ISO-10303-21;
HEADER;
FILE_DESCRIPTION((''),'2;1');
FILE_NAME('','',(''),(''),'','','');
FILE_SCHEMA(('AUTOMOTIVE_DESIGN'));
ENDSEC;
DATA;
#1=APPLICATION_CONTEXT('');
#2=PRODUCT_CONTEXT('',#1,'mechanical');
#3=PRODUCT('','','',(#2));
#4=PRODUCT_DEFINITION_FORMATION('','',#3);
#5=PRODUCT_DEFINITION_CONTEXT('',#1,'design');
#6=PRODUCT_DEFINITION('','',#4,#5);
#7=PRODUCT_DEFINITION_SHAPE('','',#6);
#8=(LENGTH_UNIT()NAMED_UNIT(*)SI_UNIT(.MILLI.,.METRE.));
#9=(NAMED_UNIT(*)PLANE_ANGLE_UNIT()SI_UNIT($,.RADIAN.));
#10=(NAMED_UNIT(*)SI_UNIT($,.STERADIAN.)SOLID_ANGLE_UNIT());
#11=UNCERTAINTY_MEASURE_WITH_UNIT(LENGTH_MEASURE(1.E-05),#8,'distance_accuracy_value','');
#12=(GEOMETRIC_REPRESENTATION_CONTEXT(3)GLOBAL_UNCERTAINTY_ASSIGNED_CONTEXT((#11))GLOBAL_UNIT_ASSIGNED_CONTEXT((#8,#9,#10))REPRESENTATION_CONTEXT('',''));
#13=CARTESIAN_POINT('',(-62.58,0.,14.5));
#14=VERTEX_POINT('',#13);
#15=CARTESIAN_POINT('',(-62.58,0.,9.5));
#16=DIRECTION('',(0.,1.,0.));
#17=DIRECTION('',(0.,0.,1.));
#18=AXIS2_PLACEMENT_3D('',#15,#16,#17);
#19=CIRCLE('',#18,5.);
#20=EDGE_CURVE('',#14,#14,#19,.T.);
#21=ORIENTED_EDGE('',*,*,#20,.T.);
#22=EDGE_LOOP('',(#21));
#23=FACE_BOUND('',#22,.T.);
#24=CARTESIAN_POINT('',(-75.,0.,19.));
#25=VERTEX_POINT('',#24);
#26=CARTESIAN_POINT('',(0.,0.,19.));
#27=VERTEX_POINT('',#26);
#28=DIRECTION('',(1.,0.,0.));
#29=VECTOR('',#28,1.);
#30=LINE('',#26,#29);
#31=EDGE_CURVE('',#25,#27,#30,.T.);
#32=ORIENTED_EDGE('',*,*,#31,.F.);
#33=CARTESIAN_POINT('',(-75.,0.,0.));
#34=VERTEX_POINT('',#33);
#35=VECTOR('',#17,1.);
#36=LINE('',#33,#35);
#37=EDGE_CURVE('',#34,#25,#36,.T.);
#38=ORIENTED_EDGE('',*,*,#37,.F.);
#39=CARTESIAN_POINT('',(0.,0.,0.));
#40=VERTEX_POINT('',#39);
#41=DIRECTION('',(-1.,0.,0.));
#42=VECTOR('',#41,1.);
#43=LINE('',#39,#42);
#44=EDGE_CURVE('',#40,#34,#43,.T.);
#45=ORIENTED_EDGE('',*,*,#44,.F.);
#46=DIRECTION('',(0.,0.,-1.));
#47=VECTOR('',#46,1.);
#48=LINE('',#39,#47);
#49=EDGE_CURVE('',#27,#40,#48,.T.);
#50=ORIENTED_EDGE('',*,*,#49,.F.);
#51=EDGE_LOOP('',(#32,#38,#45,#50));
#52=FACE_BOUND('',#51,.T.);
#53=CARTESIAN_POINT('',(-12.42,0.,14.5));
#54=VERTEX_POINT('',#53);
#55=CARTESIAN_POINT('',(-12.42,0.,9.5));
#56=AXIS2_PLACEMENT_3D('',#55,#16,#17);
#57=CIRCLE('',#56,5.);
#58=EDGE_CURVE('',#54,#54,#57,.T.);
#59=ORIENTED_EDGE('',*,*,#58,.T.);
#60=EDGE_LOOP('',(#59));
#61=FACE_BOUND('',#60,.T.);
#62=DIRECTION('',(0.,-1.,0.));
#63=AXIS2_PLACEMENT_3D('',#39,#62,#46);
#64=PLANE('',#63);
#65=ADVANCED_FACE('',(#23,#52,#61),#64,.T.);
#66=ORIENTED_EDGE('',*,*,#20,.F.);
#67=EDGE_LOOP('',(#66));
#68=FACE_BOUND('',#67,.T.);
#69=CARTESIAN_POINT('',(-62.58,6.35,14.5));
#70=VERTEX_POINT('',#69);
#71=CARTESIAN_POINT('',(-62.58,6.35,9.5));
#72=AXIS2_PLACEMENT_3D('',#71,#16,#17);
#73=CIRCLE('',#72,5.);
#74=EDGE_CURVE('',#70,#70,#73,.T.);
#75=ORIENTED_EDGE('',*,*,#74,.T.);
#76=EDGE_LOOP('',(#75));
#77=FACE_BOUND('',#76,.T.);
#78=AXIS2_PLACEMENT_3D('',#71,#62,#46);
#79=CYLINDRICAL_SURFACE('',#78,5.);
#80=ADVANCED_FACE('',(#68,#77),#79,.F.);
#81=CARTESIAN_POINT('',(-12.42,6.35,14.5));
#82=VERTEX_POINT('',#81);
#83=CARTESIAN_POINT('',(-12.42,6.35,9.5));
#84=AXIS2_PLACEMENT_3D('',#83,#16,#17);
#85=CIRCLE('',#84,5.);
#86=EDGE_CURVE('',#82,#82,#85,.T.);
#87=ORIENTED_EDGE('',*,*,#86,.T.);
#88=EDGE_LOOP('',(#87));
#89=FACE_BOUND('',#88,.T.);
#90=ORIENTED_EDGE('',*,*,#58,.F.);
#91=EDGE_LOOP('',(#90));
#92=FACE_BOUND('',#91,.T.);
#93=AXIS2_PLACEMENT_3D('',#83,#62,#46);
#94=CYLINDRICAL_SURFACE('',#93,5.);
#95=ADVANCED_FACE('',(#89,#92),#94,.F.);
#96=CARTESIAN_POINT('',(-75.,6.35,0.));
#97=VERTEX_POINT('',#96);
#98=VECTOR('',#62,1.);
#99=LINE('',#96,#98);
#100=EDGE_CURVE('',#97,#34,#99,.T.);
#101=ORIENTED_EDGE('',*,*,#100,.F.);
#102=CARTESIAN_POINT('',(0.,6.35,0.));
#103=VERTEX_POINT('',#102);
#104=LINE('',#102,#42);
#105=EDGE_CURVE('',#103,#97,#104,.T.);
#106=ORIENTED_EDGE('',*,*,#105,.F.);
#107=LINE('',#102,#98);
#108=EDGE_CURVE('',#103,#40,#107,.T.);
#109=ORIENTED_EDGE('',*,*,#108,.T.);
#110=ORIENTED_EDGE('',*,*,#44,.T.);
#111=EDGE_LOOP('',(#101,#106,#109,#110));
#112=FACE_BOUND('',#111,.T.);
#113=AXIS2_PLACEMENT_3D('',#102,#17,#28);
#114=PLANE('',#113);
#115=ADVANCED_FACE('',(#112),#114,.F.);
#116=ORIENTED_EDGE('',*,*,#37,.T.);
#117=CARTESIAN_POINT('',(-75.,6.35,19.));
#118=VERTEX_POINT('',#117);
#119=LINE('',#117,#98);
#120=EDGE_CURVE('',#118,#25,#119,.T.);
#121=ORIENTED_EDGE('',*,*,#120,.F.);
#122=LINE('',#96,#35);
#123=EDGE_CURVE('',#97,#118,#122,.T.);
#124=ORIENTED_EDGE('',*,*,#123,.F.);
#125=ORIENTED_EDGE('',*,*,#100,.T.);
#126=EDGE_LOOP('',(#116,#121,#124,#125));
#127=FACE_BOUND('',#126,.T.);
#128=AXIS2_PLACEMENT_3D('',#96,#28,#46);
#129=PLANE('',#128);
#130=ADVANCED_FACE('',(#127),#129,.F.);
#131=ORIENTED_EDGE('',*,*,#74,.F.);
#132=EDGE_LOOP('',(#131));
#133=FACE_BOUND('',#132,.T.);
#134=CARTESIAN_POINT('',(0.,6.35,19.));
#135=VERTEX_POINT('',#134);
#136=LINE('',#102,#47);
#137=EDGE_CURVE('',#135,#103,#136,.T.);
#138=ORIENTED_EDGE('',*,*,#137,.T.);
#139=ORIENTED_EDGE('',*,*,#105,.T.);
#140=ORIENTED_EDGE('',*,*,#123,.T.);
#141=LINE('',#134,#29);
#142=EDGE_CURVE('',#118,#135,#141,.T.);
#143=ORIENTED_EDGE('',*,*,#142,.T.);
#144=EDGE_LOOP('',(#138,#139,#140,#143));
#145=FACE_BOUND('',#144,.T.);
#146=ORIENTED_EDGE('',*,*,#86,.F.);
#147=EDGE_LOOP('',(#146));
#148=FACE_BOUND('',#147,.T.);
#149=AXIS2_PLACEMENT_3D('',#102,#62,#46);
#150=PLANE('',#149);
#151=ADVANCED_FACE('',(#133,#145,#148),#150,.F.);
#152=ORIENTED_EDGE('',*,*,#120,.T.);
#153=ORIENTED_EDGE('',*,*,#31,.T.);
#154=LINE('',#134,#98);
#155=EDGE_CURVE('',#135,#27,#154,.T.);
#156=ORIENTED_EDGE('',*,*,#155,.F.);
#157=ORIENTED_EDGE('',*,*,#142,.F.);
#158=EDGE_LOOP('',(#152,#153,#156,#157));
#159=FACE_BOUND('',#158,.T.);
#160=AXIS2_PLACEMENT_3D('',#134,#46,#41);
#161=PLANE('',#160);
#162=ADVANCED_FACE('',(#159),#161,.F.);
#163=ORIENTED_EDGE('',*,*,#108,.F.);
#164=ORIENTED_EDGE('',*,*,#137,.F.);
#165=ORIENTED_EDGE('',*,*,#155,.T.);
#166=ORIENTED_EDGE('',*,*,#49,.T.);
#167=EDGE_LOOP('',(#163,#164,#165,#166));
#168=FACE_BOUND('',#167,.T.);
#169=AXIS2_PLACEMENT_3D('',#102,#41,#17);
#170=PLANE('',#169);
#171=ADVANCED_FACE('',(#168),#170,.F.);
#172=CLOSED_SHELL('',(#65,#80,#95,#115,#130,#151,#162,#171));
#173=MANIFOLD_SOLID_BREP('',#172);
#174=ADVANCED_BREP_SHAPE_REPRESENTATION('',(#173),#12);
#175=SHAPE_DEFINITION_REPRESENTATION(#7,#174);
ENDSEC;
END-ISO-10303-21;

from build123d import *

# Parameters (mm, degrees)
SKETCH1_W           = 75
SKETCH1_H           = 19
SKETCH1_R           = 5
BOSS_EXTRUDE1_DEPTH = 6.35


with BuildPart() as part:
    # Sketch1 → Boss-Extrude1 (new body)
    with BuildSketch(Plane(origin=(0, 0, 0), x_dir=(1, 0, 0), z_dir=(0, 1, 0))):
        with Locations((-37.5, -9.5)):
            Rectangle(SKETCH1_W, SKETCH1_H)
        with Locations(Location((-62.58, -9.5, 0), (0, 0, 270))):
            Circle(SKETCH1_R, mode=Mode.SUBTRACT)
        with Locations(Location((-12.42, -9.5, 0), (0, 0, 270))):
            Circle(SKETCH1_R, mode=Mode.SUBTRACT)
    extrude(amount=BOSS_EXTRUDE1_DEPTH)


solid = part.part
